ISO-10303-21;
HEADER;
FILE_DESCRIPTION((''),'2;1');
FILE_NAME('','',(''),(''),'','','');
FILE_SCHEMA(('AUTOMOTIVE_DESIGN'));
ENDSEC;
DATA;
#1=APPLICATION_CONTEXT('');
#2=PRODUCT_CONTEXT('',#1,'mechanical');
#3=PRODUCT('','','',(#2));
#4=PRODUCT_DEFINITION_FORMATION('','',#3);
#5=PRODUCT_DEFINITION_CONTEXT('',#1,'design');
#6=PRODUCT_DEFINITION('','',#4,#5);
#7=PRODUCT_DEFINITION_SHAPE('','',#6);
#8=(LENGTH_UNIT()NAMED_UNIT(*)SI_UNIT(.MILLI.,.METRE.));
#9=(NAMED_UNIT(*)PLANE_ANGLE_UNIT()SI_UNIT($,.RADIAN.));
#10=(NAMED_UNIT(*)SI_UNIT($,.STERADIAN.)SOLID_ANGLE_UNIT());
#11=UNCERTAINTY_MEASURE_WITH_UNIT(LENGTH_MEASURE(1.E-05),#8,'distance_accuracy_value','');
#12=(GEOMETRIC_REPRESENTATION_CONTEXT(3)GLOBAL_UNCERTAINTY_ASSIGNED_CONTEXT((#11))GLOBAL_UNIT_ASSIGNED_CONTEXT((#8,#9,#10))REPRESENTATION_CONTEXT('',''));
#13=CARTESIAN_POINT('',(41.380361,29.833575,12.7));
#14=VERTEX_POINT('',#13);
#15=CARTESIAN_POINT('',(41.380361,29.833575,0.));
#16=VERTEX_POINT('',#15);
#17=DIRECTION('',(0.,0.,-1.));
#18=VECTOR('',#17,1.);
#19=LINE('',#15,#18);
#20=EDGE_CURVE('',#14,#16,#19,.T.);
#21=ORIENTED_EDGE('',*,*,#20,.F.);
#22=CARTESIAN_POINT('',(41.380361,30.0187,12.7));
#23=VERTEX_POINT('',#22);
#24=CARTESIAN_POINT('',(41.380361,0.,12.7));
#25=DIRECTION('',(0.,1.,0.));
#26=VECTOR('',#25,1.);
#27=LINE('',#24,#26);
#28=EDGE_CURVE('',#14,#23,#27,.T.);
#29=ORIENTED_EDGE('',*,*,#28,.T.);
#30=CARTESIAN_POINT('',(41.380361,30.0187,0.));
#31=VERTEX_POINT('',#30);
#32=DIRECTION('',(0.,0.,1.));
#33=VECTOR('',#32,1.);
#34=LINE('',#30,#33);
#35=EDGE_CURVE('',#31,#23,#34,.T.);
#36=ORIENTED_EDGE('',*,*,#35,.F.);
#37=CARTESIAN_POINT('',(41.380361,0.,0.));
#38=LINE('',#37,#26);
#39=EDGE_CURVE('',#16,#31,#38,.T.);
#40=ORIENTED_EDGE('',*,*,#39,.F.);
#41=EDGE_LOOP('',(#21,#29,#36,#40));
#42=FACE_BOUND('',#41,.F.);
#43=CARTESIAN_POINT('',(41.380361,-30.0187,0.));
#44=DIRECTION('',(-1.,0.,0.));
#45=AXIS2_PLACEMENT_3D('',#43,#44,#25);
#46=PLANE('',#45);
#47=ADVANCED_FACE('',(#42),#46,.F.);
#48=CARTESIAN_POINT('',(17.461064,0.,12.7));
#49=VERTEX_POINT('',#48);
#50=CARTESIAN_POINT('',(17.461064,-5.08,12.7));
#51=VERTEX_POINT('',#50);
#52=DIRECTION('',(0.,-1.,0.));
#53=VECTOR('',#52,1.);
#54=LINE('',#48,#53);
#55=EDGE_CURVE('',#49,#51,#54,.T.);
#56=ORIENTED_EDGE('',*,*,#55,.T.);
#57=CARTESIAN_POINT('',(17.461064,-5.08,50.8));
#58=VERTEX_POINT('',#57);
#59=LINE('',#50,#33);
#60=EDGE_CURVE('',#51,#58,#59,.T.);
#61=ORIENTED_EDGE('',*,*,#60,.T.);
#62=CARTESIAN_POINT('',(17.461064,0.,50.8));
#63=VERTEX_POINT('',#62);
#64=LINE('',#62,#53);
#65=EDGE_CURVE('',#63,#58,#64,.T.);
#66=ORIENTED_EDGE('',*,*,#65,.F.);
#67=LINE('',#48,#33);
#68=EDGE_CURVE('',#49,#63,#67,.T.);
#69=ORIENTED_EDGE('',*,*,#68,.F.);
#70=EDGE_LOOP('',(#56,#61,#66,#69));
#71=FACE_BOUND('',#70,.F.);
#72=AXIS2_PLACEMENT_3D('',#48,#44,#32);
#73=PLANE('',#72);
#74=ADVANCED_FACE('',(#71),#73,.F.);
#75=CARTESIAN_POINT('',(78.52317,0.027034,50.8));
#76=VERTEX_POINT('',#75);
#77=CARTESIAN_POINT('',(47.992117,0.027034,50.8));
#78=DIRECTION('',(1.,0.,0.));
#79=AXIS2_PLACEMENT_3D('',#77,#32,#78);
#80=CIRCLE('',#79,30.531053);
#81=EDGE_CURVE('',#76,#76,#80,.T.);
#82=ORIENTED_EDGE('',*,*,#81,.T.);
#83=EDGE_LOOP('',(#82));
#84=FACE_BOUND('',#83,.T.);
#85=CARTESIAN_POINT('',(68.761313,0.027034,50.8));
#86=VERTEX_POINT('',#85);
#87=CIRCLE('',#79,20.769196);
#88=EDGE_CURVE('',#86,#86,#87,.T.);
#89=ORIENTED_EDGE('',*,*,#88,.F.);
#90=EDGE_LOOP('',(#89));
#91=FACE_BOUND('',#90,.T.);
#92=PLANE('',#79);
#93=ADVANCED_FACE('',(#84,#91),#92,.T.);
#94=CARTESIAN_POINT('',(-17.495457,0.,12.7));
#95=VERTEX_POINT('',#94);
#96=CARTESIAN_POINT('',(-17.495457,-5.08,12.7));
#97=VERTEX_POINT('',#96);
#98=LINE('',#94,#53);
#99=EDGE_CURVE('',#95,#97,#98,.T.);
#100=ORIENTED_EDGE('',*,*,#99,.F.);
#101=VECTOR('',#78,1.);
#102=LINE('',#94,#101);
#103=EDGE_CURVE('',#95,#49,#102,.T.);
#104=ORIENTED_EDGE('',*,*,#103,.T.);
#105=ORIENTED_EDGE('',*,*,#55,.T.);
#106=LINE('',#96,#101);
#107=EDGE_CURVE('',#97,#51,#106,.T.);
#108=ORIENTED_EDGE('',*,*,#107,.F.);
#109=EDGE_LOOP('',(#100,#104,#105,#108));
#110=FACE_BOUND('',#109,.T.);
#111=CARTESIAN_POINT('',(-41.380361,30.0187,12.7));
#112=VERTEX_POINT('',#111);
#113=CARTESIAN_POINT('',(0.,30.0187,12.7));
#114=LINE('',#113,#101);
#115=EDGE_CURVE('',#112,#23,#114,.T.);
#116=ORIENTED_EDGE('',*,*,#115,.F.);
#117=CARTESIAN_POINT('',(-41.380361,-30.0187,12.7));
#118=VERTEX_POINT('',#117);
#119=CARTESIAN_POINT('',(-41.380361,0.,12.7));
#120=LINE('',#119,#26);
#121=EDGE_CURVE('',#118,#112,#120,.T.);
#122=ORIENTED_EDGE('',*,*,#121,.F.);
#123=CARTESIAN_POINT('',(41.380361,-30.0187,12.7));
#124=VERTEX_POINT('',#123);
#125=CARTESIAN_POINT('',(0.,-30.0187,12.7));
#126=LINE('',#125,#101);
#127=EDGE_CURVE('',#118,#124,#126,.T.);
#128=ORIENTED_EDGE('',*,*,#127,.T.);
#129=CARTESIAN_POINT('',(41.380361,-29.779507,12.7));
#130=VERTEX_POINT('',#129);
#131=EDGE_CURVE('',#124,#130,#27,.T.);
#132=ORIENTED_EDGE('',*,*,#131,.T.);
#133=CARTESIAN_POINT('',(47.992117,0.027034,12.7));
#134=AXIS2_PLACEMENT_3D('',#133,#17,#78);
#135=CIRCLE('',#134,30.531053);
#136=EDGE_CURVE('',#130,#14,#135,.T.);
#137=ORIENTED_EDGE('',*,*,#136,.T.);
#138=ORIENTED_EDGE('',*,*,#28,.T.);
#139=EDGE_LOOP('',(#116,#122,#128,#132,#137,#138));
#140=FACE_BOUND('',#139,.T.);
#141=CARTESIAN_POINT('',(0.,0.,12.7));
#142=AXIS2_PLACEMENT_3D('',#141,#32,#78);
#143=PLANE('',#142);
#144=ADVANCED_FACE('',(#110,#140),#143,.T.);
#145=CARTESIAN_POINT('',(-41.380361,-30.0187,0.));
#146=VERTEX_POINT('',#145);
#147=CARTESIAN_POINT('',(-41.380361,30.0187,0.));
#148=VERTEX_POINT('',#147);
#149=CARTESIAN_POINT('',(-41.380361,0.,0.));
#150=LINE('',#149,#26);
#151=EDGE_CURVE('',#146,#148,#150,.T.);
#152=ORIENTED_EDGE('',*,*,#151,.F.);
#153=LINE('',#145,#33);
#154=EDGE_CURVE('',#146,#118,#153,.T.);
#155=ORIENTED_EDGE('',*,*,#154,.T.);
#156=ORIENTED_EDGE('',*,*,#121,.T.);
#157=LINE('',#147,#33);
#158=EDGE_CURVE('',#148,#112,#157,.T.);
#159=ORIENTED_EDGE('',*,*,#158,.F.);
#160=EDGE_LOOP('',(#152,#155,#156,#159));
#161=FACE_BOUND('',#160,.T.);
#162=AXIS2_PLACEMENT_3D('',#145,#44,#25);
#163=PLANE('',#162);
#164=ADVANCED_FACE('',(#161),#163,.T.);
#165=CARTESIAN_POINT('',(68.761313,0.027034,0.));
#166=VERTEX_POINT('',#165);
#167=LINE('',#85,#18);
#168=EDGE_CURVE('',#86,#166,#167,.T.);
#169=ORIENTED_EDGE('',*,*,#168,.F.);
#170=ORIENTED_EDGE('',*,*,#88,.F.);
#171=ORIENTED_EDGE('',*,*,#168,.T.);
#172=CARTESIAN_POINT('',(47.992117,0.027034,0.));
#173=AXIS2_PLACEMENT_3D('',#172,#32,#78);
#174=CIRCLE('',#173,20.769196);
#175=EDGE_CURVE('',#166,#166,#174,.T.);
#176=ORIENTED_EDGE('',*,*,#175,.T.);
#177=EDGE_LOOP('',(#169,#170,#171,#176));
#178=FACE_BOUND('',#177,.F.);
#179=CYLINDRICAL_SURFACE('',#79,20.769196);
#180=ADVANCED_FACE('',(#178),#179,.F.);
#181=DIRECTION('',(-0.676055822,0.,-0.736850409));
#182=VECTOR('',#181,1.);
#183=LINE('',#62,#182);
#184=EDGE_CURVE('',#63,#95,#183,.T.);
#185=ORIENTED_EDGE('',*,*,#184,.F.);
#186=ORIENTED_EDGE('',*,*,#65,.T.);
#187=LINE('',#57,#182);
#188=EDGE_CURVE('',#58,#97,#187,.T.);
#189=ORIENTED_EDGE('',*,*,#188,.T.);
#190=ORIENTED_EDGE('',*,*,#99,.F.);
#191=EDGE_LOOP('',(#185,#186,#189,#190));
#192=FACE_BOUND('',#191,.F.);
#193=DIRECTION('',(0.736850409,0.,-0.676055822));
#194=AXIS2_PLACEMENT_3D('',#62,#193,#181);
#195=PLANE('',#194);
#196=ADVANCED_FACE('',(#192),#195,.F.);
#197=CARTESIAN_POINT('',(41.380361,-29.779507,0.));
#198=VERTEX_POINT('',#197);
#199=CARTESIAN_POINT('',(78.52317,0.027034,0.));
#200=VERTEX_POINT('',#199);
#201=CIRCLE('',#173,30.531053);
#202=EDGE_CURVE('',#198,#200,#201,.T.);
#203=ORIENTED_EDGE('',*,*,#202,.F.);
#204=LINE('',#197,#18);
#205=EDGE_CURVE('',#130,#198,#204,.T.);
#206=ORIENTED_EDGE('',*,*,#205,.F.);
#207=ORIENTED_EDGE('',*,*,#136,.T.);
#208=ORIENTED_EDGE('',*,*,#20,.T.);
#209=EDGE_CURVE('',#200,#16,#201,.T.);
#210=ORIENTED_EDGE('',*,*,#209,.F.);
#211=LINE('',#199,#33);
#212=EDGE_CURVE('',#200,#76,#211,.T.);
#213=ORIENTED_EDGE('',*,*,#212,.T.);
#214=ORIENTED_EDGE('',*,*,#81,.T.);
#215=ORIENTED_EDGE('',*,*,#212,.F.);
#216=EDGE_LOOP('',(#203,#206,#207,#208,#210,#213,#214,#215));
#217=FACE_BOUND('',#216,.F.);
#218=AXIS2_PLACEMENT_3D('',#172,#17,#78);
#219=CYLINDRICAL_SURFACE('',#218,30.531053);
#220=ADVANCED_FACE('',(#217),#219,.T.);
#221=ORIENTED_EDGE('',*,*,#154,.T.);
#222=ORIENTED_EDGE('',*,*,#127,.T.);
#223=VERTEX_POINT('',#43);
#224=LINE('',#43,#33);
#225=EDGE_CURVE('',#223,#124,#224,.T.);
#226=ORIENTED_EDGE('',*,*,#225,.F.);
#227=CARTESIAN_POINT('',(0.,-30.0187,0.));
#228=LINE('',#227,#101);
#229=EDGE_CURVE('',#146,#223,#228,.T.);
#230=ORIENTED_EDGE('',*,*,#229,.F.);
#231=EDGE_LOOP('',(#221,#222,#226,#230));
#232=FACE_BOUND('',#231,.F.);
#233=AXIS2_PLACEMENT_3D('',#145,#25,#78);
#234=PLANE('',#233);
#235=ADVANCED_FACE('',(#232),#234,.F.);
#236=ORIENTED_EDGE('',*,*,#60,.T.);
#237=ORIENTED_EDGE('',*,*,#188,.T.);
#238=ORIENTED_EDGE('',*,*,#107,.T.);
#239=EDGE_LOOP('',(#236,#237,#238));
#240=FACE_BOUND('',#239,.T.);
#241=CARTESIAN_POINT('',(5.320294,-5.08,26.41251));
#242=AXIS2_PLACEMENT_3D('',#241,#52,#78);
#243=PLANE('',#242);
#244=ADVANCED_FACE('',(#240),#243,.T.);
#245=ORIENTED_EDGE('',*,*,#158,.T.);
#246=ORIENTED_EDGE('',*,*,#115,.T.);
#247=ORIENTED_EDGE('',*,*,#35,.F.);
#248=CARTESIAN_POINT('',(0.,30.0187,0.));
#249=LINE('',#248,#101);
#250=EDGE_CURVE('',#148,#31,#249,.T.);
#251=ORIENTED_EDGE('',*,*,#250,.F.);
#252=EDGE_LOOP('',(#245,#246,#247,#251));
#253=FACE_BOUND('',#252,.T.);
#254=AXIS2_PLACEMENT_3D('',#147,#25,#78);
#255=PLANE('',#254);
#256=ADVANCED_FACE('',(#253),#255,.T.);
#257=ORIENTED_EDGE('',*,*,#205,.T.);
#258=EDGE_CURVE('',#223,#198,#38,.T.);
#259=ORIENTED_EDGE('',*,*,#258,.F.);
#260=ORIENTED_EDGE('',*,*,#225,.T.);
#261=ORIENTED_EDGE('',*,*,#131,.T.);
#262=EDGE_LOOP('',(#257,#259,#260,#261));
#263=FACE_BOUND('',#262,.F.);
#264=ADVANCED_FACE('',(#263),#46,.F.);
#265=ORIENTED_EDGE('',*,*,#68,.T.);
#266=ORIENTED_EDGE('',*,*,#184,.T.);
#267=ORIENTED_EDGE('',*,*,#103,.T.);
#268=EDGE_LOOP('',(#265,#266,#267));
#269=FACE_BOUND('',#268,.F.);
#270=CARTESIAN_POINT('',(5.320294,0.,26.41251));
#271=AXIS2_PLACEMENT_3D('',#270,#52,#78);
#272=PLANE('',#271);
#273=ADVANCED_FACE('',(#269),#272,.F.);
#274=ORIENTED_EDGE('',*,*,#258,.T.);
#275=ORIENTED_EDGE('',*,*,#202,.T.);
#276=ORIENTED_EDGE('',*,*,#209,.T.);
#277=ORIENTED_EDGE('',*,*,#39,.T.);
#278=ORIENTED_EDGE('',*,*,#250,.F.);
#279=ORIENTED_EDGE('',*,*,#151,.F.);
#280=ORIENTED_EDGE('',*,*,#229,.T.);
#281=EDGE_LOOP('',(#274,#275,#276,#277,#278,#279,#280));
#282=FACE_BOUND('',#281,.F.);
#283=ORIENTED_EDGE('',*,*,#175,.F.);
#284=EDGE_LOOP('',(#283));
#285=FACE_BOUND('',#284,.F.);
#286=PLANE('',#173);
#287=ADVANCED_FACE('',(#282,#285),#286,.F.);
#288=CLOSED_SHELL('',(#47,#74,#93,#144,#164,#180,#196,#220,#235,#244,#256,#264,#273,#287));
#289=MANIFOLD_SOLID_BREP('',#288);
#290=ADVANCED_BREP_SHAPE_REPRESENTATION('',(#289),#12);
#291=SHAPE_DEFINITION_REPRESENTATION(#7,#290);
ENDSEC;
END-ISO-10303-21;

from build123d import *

# Parameters (mm, degrees)
F0_W     = 82.760722
F0_H     = 60.0374
F1_DEPTH = 12.7
F2_R     = 30.531053
F3_DEPTH = 50.8
F5_DEPTH = 5.08
F6_R     = 20.769196
F7_DEPTH = 50.801


with BuildPart() as f1:
    # F0 (on Top) → F1 (new body)
    with BuildSketch(Plane.XY):
        Rectangle(F0_W, F0_H)
    extrude(amount=F1_DEPTH)

    # F2 (on Top) → F3 (join)
    with BuildSketch(Plane.XY):
        with Locations((47.992117, 0.027034)):
            Circle(F2_R)
    extrude(amount=F3_DEPTH)

    # F4 (on Front) → F5 (join)
    with BuildSketch(Plane.XZ):
        Polygon((-17.495457, 12.7), (17.461064, 12.7), (17.461064, 50.8), align=None)
    extrude(amount=F5_DEPTH)

    # F6 (on face) → F7 (cut, through all)
    with BuildSketch(Plane.XY.offset(50.8)):
        with Locations((47.992117, 0.027034)):
            Circle(F6_R)
    extrude(amount=-F7_DEPTH, mode=Mode.SUBTRACT)


solid = f1.part
